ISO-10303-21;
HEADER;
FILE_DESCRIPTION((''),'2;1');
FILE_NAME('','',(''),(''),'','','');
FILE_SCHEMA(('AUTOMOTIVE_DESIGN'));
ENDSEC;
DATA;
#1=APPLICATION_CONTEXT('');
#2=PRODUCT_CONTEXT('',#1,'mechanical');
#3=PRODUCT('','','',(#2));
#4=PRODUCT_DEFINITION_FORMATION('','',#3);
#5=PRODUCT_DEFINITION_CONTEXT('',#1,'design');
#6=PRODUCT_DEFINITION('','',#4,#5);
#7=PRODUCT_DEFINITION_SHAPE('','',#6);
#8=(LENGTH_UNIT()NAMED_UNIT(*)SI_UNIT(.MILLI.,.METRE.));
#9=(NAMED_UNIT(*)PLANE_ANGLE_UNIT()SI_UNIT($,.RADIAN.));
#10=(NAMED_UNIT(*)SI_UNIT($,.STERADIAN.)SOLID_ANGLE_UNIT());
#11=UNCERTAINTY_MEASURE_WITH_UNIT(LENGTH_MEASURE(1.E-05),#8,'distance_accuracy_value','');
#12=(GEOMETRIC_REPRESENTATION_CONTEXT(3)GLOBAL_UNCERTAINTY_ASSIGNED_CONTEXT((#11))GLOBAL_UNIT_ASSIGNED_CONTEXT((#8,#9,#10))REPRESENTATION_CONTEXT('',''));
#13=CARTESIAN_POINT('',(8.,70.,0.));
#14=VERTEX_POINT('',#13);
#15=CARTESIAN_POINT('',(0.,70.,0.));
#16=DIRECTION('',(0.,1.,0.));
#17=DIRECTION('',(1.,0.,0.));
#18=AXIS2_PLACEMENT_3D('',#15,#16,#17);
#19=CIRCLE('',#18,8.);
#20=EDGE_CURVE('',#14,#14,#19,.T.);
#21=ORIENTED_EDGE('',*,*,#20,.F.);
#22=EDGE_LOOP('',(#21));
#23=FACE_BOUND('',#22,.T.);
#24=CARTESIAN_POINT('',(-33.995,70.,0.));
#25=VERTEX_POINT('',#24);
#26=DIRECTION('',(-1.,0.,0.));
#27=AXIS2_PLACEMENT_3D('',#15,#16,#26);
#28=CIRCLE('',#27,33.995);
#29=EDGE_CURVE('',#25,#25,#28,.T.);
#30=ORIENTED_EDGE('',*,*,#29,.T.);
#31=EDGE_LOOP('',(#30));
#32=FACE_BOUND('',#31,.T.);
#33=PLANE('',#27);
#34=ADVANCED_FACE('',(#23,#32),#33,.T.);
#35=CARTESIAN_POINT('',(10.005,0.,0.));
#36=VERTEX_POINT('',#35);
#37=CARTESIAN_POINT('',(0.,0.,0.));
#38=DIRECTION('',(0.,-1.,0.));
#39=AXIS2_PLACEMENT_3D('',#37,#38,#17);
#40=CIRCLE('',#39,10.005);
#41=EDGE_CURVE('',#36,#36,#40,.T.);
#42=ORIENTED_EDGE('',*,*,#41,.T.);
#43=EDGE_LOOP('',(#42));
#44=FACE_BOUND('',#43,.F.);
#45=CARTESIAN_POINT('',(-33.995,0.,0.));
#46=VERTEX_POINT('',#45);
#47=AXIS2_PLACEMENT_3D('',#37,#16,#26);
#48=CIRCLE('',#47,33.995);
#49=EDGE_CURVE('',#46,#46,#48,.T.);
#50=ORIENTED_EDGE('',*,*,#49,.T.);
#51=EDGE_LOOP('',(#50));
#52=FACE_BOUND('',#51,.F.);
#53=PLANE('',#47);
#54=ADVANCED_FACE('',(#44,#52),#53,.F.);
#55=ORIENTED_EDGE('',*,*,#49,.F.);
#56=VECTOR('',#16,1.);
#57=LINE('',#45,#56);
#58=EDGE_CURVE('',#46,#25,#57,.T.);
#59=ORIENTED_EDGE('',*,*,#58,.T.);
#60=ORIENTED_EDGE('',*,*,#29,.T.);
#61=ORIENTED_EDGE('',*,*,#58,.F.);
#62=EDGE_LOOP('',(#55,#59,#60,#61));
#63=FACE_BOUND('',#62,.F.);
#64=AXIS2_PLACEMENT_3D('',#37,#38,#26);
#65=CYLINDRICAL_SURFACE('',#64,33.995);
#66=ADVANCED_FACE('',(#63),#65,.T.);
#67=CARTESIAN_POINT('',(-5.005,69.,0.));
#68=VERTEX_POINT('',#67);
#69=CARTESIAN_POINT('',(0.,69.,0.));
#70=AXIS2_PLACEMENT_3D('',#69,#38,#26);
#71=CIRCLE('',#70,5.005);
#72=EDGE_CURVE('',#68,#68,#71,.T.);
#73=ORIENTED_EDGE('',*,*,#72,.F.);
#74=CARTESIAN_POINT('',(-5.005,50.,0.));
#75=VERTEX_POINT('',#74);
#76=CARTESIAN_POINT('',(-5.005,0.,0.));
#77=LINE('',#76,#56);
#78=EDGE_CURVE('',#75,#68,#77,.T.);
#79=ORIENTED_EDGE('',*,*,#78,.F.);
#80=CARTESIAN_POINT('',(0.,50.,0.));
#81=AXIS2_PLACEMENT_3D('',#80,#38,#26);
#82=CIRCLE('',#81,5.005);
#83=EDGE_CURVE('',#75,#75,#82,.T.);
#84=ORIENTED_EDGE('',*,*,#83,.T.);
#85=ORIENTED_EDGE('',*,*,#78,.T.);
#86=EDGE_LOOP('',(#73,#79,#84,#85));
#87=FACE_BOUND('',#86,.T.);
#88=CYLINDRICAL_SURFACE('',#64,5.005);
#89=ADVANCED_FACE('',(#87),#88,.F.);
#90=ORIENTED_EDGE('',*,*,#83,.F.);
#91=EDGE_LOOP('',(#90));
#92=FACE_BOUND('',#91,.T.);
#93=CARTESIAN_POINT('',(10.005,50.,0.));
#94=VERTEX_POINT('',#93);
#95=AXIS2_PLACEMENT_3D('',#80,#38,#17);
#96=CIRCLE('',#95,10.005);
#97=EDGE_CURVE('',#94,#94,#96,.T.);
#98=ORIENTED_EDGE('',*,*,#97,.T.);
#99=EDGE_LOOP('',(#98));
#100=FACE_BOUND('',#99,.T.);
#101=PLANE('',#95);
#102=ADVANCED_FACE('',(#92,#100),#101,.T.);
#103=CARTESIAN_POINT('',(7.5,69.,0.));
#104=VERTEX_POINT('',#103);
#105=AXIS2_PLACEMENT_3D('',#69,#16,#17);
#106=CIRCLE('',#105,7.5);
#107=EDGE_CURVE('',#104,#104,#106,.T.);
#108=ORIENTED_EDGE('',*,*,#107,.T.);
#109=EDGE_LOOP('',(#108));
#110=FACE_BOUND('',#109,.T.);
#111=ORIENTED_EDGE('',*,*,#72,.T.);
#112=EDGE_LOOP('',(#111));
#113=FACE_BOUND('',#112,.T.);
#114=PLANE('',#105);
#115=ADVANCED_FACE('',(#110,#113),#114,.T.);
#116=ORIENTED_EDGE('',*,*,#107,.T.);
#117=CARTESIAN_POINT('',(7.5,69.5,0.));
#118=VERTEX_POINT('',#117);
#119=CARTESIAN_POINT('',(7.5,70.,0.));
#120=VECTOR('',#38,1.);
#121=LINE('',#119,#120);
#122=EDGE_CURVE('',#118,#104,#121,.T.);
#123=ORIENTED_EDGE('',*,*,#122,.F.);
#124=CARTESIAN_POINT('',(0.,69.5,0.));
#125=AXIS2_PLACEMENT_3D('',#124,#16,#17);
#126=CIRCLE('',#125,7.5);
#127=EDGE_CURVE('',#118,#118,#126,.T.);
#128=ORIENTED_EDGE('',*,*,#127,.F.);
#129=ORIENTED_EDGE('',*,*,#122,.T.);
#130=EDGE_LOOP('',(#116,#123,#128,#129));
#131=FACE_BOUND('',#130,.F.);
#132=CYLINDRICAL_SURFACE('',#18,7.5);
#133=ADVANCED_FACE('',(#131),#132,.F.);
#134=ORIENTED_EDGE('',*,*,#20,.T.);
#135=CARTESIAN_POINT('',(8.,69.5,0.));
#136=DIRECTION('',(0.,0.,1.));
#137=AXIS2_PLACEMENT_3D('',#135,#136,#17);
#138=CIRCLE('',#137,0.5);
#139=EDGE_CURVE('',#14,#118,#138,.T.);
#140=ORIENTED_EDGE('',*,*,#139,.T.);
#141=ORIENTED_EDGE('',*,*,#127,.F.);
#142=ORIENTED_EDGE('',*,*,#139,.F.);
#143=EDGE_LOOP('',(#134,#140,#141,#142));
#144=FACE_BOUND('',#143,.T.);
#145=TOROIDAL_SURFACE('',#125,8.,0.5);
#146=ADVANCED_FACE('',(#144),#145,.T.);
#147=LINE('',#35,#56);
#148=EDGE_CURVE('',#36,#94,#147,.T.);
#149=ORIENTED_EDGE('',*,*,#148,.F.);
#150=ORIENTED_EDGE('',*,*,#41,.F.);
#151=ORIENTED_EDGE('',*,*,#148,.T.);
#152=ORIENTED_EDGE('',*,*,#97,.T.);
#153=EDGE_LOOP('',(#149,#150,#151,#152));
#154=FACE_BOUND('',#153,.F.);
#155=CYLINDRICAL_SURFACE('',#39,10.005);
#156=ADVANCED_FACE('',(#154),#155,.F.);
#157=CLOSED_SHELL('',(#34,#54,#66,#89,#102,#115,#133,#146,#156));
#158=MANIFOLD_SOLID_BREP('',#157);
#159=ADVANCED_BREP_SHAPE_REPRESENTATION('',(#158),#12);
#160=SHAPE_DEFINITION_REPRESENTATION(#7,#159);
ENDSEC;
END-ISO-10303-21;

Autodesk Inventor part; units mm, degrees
ref_plane "YZ Plane" through (0, 0, 0) normal (1, 0, 0) x (0, 1, 0)
ref_plane "XZ Plane" through (0, 0, 0) normal (0, 1, 0) x (-1, 0, 0)
ref_plane "XY Plane" through (0, 0, 0) normal (0, 0, 1) x (1, 0, 0)
sketch "Sketch1" plane through (0, 0, 0) normal (0, 1, 0) x (-1, 0, 0)
  circle A0 centre (0, 0) radius 33.995
  circle A1 centre (0, 0) radius 5.005
  dimension "d0" = 67.99
  dimension "d1" = 10.01
extrude "Extrusion1" add sketch "Sketch1" along normal blind 70
sketch "Sketch2" plane through (0, 0, 0) normal (0, -1, 0) x (1, 0, 0)
  circle A0 centre (0, 0) radius 5.005 projected
  circle A1 centre (0, 0) radius 10.005
  dimension "d4" = 20.01
extrude "Extrusion2" cut sketch "Sketch2" against normal blind 50
sketch "Sketch3" plane through (0, 70, 0) normal (0, 1, 0) x (1, 0, 0)
  circle A0 centre (0, 0) radius 7.5
  dimension "d7" = 15
extrude "Extrusion3" cut sketch "Sketch3" against normal blind 1
fillet "Fillet1" radius 0.5 1 edges at (-7.5, 70, 0)
properties part number "top" material "Steel, Mild"
